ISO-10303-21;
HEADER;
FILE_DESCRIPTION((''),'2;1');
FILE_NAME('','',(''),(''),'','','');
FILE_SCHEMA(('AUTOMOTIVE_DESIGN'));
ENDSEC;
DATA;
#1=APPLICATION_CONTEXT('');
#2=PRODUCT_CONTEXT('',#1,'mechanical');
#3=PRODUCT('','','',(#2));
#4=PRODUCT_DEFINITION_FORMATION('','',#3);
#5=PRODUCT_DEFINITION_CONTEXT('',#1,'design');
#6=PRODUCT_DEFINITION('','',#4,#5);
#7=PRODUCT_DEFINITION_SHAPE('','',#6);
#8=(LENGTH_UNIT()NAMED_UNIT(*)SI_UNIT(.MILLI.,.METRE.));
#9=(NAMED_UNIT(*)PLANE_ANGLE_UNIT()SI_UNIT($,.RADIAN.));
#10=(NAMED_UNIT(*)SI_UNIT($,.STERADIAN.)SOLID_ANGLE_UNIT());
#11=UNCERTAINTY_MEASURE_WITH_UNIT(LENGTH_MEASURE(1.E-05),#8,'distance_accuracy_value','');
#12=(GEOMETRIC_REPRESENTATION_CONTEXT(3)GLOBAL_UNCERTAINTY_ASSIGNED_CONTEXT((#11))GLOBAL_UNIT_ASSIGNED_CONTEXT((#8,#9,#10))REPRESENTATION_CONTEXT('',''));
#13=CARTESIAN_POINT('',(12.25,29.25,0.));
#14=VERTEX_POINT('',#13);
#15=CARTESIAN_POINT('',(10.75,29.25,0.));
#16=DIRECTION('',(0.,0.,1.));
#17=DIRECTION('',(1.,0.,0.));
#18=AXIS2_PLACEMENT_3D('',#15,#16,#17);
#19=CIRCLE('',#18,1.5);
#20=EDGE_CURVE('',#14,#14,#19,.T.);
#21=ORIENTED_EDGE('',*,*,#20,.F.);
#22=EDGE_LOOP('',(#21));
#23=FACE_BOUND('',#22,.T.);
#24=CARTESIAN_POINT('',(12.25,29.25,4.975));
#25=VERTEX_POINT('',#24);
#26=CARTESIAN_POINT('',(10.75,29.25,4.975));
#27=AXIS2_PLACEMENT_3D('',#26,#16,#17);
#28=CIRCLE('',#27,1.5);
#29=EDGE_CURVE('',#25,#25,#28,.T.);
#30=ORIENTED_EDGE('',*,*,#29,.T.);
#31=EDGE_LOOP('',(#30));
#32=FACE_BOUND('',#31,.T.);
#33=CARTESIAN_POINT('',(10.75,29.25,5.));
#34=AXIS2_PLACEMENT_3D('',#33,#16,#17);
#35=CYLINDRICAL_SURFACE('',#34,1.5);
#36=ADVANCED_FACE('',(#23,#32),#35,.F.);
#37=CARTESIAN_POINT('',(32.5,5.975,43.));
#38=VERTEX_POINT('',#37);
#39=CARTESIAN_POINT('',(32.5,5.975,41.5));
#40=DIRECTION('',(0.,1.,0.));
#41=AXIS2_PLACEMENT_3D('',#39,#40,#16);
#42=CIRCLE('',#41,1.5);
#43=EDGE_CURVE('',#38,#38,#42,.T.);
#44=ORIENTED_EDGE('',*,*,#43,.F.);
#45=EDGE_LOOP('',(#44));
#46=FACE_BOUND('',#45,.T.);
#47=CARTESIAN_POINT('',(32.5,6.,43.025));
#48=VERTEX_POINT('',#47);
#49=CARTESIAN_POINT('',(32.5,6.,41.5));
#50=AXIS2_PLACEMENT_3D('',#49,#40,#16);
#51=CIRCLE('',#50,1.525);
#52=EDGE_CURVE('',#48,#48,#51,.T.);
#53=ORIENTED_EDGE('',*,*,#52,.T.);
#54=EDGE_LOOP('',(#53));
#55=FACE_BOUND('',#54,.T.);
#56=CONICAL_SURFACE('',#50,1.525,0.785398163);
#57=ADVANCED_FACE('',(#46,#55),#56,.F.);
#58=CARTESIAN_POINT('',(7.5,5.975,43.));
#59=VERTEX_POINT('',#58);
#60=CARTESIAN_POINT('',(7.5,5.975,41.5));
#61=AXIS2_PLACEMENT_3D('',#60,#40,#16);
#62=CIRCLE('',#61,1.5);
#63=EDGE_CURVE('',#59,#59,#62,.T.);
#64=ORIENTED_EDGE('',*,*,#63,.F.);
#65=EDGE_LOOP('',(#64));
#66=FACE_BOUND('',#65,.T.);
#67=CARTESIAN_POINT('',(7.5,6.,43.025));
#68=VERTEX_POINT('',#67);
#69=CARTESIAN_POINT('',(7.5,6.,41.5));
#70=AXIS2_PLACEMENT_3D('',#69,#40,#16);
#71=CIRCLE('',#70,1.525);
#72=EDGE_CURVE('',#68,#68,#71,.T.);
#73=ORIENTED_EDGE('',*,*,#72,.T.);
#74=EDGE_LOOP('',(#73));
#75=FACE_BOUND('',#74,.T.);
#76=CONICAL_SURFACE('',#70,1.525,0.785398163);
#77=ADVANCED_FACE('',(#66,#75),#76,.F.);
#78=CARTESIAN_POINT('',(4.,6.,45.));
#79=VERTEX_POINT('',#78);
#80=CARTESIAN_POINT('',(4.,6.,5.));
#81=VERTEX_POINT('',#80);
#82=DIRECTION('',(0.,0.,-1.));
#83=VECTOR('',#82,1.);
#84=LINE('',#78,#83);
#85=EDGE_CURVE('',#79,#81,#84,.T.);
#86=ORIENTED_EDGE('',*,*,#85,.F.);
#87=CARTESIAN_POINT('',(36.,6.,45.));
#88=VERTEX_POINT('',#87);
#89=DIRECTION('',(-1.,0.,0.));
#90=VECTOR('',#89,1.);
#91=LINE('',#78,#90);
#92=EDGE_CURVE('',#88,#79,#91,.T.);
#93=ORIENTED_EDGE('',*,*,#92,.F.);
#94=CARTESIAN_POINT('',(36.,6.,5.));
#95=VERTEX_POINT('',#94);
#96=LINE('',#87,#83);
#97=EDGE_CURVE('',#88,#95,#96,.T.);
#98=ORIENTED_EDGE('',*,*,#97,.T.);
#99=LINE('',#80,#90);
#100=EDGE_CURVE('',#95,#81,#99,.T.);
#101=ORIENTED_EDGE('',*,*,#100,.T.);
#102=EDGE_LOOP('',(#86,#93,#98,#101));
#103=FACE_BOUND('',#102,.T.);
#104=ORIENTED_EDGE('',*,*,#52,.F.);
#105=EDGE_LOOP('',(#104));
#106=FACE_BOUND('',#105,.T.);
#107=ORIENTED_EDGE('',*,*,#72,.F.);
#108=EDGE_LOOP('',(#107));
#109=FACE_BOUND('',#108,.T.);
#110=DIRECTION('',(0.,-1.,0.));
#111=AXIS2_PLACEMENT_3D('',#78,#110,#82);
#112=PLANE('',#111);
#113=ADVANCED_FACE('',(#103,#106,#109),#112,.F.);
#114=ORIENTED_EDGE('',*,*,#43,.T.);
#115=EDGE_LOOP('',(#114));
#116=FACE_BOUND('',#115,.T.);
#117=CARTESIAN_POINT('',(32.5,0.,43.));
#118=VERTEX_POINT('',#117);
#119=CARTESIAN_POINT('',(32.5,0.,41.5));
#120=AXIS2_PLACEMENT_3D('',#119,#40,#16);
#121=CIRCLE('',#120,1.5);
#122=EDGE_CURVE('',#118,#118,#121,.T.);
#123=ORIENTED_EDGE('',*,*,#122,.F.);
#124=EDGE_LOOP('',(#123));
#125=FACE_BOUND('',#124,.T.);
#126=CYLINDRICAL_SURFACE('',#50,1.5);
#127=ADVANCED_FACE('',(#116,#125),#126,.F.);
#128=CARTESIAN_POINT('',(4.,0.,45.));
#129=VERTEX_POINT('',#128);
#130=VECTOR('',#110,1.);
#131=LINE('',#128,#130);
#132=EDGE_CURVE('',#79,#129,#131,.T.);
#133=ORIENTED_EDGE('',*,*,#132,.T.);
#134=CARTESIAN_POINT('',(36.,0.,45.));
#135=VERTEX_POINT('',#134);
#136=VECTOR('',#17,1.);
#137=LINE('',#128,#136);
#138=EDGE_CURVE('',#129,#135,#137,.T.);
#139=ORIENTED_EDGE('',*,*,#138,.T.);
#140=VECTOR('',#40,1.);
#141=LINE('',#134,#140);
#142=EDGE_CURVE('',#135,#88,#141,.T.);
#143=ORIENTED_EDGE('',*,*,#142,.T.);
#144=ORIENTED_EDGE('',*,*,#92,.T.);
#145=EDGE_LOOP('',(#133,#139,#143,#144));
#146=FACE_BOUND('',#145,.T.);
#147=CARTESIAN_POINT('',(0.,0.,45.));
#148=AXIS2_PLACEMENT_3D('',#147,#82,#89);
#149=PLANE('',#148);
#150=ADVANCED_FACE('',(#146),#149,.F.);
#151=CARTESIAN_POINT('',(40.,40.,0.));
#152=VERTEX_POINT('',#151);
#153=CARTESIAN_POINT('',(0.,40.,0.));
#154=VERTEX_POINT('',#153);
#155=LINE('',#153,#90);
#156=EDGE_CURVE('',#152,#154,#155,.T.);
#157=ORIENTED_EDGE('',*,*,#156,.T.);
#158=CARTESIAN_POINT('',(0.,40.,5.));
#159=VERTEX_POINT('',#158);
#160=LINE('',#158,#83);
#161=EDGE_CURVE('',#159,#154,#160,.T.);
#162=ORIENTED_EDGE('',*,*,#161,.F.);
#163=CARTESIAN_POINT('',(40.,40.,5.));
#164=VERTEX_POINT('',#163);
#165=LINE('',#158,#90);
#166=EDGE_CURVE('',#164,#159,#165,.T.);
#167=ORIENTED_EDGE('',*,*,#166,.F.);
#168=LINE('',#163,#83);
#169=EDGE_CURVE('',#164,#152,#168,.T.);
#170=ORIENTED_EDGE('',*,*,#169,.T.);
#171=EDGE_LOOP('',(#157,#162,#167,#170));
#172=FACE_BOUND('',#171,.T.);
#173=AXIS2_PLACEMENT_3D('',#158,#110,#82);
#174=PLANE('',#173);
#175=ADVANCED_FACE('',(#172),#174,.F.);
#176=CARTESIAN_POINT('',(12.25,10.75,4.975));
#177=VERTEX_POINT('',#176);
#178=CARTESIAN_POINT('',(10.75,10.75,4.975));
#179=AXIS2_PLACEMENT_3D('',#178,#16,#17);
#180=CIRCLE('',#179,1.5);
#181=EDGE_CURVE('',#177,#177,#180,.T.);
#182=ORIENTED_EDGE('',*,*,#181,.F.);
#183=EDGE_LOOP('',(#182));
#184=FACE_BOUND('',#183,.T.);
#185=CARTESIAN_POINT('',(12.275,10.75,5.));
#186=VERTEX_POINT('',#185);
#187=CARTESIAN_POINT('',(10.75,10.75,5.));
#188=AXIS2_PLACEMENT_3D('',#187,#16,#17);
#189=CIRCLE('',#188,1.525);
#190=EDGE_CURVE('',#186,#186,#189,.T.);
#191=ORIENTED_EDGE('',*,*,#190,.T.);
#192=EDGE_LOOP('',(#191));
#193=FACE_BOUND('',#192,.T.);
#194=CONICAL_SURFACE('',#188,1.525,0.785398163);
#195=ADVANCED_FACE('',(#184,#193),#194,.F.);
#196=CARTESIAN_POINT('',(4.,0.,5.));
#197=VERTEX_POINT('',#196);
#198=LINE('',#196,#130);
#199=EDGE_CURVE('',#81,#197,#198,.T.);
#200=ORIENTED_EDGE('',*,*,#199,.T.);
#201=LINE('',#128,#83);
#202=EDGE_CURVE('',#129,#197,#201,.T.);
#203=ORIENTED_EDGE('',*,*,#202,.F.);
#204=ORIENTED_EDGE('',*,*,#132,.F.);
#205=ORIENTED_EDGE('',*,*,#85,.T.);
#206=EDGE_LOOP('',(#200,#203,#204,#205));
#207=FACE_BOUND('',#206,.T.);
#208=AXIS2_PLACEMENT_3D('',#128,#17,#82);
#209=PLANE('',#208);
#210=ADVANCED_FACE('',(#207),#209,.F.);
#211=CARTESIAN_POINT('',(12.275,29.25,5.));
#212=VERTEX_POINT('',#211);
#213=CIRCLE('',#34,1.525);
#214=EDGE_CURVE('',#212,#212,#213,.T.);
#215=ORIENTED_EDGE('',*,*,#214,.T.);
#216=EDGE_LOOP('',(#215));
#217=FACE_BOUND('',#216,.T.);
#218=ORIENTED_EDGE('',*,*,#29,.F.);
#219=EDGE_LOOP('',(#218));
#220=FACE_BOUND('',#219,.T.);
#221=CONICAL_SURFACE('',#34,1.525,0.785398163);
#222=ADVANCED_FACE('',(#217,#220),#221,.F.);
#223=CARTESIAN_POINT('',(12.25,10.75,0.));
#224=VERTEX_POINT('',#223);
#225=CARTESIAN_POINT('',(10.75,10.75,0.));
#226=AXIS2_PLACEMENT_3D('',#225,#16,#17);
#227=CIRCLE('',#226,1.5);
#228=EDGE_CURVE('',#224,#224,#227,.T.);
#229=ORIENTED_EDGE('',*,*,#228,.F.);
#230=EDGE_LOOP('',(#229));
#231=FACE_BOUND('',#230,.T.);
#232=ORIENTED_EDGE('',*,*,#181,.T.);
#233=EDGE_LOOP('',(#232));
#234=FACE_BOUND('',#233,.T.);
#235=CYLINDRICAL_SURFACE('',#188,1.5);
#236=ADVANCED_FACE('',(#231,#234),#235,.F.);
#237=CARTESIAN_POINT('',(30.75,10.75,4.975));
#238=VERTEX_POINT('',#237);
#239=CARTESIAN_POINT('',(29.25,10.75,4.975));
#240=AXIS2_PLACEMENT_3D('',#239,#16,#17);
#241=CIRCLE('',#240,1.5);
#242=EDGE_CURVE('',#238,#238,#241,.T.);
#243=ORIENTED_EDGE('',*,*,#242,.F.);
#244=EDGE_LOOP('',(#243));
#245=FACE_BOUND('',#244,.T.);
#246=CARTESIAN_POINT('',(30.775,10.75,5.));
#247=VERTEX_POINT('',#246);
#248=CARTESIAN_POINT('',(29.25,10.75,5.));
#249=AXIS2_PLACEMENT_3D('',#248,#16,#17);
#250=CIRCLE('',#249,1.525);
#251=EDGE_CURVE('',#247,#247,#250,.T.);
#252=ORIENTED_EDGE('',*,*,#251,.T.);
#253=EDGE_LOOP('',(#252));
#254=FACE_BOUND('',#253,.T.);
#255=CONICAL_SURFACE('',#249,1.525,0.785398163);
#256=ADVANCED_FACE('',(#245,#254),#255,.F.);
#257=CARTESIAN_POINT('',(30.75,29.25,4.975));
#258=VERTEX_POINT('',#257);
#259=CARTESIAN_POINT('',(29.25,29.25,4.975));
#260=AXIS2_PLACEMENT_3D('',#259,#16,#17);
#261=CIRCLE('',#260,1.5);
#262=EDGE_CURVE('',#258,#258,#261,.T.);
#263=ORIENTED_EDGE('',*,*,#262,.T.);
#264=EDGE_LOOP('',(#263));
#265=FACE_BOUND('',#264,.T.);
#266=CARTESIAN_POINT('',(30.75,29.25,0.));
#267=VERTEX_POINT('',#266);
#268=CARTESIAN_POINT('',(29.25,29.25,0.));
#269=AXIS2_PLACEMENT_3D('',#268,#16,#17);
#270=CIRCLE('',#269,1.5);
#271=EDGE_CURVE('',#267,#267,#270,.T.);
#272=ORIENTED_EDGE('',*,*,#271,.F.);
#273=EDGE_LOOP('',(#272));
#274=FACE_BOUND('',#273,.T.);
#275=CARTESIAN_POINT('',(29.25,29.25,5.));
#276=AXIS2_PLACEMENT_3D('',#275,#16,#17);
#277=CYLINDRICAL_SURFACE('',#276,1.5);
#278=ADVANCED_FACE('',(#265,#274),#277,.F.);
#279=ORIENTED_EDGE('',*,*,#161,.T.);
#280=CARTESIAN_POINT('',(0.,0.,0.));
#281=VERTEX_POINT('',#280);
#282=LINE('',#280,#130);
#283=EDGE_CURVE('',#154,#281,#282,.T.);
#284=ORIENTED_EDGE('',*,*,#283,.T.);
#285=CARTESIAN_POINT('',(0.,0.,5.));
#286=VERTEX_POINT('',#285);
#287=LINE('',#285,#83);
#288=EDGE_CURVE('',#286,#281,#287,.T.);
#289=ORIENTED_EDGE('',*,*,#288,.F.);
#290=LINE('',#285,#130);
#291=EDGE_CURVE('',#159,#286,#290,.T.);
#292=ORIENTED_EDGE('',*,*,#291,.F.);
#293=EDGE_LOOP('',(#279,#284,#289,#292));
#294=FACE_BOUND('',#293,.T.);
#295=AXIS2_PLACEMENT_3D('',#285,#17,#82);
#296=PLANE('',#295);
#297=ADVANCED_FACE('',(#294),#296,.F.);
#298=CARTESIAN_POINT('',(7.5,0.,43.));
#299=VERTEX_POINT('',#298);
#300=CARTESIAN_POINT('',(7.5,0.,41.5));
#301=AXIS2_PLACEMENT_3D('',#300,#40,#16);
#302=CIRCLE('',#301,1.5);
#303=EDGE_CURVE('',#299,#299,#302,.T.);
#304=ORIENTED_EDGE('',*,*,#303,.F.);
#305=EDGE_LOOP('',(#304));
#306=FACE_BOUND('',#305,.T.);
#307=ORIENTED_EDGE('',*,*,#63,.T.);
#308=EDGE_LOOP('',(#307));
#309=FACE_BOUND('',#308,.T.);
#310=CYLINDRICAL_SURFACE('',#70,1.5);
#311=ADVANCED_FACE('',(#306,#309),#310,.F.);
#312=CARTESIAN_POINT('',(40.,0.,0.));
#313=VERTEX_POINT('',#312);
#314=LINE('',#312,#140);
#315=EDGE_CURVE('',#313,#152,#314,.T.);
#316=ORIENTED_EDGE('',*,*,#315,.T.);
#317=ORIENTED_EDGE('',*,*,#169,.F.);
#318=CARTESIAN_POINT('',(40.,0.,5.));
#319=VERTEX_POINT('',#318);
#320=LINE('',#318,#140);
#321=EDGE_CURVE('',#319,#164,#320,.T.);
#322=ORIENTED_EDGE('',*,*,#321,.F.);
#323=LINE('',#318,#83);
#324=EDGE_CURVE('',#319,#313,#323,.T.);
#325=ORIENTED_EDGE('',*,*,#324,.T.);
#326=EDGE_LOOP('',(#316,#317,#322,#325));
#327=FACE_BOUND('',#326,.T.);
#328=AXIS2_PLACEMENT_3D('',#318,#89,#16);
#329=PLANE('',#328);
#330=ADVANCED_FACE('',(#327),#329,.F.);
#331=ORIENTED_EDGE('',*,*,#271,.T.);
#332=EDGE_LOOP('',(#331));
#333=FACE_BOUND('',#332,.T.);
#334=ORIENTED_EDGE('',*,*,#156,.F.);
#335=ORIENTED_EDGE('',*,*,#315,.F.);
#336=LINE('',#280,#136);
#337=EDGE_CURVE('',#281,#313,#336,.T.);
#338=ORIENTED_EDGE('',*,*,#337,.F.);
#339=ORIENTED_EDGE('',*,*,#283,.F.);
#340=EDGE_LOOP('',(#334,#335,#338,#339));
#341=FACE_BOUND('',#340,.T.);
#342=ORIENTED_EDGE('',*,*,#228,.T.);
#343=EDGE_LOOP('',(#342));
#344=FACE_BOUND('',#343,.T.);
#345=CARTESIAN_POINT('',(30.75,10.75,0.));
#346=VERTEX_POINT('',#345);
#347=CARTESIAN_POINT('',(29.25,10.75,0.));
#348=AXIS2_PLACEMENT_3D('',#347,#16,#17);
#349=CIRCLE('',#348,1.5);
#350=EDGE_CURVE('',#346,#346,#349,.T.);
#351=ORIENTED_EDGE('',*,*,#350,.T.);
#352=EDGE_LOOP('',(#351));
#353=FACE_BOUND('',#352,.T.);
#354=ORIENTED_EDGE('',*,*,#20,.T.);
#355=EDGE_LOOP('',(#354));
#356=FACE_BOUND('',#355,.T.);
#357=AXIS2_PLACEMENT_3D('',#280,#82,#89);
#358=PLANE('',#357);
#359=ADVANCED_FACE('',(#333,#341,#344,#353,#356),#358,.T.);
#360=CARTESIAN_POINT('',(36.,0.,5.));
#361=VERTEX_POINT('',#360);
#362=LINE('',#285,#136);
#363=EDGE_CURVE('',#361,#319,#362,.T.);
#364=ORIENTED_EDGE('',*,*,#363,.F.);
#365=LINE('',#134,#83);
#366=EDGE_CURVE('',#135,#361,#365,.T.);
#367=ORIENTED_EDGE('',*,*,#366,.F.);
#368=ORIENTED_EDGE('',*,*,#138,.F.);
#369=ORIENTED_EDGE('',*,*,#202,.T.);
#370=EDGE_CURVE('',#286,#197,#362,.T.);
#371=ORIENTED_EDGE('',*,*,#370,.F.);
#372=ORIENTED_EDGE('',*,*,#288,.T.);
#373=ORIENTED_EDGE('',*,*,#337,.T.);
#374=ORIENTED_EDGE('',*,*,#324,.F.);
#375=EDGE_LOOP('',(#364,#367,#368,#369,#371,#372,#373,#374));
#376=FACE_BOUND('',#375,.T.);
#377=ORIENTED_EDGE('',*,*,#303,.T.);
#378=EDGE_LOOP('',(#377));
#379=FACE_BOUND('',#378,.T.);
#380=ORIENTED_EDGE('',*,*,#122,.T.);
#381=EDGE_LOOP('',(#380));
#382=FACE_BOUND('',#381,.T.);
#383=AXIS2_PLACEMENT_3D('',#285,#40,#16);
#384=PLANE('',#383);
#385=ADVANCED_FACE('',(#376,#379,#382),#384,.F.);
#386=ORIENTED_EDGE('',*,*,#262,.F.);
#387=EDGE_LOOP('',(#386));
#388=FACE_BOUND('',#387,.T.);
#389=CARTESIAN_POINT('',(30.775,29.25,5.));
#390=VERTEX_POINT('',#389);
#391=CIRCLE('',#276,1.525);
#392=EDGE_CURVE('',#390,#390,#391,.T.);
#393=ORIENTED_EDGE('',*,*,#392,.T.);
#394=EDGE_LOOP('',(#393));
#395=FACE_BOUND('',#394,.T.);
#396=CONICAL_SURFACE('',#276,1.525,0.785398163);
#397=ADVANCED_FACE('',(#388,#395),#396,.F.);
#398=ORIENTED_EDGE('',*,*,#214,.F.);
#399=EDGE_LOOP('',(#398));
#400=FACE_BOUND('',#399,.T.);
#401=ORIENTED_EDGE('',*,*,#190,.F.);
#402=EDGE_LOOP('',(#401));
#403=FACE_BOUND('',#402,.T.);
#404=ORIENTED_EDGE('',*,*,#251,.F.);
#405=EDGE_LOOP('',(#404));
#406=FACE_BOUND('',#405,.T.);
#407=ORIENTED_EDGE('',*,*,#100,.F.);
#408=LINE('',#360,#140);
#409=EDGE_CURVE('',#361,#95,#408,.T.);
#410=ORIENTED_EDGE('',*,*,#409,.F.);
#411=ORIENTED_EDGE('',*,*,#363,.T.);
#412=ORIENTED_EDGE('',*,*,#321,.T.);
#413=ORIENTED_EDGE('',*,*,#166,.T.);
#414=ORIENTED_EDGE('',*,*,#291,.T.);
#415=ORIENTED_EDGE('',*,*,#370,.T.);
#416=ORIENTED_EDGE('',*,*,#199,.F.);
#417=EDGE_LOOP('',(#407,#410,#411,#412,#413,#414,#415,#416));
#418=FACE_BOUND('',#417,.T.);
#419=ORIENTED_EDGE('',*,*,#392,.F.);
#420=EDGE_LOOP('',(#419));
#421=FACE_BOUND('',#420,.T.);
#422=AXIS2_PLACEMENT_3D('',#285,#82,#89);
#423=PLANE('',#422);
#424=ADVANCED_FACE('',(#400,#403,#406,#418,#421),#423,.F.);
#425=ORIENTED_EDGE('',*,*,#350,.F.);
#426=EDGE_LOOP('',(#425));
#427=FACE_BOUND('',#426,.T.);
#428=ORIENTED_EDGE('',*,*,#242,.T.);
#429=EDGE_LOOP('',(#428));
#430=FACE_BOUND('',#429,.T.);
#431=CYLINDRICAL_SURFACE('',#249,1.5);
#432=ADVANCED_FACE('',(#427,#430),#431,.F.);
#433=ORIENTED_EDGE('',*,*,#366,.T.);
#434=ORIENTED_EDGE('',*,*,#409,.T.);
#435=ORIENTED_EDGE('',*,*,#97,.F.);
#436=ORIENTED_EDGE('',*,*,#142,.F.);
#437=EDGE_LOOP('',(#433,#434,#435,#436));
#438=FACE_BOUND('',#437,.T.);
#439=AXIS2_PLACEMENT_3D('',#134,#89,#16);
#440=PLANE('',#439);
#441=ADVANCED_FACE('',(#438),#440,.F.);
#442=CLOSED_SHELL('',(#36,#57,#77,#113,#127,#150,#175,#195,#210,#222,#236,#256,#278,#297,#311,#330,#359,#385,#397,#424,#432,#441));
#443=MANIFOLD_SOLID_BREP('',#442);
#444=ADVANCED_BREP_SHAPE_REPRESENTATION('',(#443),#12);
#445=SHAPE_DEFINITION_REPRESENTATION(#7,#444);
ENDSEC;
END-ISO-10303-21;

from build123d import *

# Parameters (mm, degrees)
SZKIC1_W                             = 40
SZKIC1_H                             = 40
DODANIE_WYCI_GNI_CIE1_DEPTH          = 5
OTWORY_USTALAJ_CE_3_0MM1_D           = 3
OTWORY_USTALAJ_CE_3_0MM1_CSINK_D     = 3.05
OTWORY_USTALAJ_CE_3_0MM1_CSINK_ANGLE = 90
SZKIC4_W                             = 32
SZKIC4_H                             = 6
DODANIE_WYCI_GNI_CIE2_DEPTH          = 40
OTWORY_USTALAJ_CE_3_0MM2_D           = 3
OTWORY_USTALAJ_CE_3_0MM2_CSINK_D     = 3.05
OTWORY_USTALAJ_CE_3_0MM2_CSINK_ANGLE = 90


with BuildPart() as part:
    # Szkic1 → Dodanie-wyciągnięcie1 (new body)
    with BuildSketch(Plane.XY):
        with Locations((20, 20)):
            Rectangle(SZKIC1_W, SZKIC1_H)
    extrude(amount=DODANIE_WYCI_GNI_CIE1_DEPTH)

    # Otwory ustalające Ø3.0mm1 (through all)
    with Locations(Plane.XY.offset(5)):
        with Locations((10.75, 29.25), (29.25, 29.25), (10.75, 10.75), (29.25, 10.75)):
            CounterSinkHole(OTWORY_USTALAJ_CE_3_0MM1_D / 2, OTWORY_USTALAJ_CE_3_0MM1_CSINK_D / 2, counter_sink_angle=OTWORY_USTALAJ_CE_3_0MM1_CSINK_ANGLE)

    # Szkic4 → Dodanie-wyciągnięcie2 (add)
    with BuildSketch(Plane.XY.offset(5)):
        with Locations((20, 3)):
            Rectangle(SZKIC4_W, SZKIC4_H)
    extrude(amount=DODANIE_WYCI_GNI_CIE2_DEPTH)

    # Otwory ustalające Ø3.0mm2 (through all)
    with Locations(Plane(origin=(0, 6, 0), x_dir=(1, 0, 0), z_dir=(0, 1, 0))):
        with Locations((7.5, -41.5), (32.5, -41.5)):
            CounterSinkHole(OTWORY_USTALAJ_CE_3_0MM2_D / 2, OTWORY_USTALAJ_CE_3_0MM2_CSINK_D / 2, counter_sink_angle=OTWORY_USTALAJ_CE_3_0MM2_CSINK_ANGLE)


solid = part.part
